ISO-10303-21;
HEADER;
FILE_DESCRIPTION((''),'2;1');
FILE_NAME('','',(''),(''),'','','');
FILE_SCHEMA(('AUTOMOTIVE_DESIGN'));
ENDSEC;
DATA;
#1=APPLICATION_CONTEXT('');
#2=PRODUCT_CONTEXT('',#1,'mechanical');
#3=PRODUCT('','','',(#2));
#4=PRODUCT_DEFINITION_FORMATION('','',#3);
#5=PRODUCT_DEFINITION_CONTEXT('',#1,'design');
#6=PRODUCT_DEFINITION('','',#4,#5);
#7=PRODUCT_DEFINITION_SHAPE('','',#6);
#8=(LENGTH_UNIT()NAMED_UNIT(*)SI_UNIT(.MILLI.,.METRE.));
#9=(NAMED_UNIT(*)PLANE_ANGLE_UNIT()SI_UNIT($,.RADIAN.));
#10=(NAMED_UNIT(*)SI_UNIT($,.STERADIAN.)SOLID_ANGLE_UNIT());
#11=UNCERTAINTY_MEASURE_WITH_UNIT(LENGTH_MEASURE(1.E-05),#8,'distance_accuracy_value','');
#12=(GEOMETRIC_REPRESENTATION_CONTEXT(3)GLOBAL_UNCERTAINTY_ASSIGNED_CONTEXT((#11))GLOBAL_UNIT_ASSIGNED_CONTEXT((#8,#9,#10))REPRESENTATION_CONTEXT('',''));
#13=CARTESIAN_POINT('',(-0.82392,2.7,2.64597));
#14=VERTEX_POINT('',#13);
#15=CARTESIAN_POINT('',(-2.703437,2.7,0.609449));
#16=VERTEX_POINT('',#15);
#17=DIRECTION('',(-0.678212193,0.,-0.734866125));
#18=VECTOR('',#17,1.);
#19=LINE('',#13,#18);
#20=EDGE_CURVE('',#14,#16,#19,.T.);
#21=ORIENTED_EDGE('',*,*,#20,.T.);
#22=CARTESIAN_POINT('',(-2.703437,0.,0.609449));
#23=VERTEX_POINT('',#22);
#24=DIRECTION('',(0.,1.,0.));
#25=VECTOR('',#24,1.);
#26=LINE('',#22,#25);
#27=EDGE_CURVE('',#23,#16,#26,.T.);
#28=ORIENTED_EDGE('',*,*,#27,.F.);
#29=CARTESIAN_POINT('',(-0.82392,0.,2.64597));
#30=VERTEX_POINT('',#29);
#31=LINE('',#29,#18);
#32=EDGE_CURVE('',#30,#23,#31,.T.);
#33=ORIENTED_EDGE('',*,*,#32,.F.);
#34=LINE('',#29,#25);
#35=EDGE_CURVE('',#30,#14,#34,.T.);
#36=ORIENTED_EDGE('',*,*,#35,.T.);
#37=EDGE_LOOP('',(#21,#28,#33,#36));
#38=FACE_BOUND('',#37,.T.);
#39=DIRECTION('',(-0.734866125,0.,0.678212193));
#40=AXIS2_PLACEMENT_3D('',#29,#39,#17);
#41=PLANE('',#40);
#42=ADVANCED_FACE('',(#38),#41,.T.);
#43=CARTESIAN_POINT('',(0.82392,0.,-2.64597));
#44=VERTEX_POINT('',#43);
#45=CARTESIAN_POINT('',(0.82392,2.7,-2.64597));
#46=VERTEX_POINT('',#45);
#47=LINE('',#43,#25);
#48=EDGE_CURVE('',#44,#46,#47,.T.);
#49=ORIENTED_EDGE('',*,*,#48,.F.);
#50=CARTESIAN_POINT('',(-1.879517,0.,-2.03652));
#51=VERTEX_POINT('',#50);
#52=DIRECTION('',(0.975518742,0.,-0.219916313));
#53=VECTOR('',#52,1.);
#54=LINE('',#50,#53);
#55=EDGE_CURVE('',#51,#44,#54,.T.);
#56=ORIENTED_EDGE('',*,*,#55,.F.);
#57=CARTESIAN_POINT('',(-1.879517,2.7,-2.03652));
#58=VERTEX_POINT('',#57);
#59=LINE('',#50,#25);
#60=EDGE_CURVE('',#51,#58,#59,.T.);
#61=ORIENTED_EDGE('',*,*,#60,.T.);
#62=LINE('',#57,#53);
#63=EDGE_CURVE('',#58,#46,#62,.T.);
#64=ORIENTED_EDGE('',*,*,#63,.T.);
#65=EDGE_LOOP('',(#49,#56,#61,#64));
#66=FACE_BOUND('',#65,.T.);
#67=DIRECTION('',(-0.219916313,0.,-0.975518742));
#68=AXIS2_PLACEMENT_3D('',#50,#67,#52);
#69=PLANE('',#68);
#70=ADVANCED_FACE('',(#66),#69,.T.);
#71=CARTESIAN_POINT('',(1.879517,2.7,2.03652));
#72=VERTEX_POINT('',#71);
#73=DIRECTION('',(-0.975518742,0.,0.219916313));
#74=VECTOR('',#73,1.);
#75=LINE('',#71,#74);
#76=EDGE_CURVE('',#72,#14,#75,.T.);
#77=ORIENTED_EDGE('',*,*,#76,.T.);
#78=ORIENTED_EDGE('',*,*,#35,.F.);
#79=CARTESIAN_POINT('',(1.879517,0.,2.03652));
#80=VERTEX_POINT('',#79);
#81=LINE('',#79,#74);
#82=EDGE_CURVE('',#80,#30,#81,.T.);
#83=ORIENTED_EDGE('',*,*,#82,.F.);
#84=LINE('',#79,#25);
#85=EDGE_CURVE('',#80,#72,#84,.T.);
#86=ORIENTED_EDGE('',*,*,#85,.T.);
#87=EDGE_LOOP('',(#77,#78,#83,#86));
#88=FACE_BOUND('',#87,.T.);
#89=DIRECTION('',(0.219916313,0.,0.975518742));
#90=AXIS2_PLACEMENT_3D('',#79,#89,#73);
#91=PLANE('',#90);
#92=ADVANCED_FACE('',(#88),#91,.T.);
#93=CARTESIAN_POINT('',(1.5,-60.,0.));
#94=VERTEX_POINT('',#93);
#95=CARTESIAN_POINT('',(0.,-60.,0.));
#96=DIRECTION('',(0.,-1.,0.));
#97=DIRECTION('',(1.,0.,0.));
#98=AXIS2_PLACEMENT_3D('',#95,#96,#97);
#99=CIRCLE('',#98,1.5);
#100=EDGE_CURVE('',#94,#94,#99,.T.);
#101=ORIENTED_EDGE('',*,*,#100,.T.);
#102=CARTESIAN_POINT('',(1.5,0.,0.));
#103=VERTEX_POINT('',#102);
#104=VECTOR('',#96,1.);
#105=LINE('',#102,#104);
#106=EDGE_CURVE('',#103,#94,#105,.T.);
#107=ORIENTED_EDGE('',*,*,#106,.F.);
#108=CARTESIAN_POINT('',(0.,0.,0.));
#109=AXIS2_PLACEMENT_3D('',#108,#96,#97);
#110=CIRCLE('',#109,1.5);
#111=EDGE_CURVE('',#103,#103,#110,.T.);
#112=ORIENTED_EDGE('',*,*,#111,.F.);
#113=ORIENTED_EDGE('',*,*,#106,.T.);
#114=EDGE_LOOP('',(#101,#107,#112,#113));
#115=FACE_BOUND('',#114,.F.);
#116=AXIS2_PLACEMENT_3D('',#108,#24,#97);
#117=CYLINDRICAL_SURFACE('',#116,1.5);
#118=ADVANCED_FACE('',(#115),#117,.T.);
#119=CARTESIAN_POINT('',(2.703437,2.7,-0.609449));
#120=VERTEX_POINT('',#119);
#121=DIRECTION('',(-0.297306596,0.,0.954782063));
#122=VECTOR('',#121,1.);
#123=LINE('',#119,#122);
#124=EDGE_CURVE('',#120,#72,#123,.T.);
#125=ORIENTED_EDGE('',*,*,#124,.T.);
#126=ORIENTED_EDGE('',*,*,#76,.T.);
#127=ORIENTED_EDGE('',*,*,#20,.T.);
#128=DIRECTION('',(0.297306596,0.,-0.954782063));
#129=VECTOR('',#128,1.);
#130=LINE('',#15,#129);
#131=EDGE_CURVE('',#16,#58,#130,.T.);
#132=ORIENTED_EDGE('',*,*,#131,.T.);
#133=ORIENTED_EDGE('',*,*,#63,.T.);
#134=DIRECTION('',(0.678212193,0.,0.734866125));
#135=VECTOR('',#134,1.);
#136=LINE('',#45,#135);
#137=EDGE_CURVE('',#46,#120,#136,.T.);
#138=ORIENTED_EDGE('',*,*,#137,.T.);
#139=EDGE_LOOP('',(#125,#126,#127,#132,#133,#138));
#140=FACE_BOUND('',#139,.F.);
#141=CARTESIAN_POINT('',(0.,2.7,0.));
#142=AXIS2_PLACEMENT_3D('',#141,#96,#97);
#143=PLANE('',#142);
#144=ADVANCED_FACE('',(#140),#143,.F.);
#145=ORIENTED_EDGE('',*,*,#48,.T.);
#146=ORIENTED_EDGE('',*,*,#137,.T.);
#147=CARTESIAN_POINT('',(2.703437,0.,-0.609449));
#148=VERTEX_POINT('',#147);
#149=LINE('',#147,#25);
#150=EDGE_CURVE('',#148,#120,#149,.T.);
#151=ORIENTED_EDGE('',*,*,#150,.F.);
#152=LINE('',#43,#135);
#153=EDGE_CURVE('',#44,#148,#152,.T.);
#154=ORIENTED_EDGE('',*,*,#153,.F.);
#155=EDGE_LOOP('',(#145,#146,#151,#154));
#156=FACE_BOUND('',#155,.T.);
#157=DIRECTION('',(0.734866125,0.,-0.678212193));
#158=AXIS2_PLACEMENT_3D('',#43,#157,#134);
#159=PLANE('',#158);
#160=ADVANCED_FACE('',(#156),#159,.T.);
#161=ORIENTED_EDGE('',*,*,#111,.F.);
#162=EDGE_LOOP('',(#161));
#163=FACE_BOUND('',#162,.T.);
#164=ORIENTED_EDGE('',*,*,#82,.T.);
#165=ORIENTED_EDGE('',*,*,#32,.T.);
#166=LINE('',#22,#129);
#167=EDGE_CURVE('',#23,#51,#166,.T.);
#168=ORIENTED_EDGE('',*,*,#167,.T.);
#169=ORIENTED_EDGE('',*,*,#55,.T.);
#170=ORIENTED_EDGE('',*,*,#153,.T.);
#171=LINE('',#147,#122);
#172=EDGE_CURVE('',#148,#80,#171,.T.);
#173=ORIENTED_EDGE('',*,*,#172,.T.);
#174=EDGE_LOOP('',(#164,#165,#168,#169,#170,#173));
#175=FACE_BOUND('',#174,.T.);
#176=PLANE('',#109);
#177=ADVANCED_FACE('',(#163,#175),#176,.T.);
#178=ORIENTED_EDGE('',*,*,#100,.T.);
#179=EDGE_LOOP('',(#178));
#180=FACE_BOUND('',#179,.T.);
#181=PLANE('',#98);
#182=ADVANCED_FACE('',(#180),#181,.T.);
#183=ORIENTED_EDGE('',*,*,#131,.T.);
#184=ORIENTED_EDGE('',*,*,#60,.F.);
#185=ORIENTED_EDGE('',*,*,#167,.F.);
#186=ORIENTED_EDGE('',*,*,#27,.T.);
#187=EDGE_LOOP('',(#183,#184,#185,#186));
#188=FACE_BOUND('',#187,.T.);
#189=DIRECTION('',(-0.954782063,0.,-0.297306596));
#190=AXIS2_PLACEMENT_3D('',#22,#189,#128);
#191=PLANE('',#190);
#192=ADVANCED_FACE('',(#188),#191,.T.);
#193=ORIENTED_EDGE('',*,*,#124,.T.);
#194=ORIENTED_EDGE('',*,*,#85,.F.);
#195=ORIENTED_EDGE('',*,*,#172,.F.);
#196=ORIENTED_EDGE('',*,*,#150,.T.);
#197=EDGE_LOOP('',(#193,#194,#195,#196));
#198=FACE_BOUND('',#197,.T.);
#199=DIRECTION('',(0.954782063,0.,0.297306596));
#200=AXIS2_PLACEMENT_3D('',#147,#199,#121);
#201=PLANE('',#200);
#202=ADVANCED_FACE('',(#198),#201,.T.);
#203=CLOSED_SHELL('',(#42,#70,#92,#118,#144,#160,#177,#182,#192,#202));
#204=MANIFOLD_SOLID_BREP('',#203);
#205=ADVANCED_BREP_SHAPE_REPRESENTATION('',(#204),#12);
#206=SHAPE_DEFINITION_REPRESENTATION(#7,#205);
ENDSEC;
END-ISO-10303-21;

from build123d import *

# Parameters (mm, degrees)
F0_R     = 1.5
F1_DEPTH = 60
F2_DEPTH = 2.7


with BuildPart() as f1:
    # F0 (on Front) → F1 (new body)
    with BuildSketch(Plane.XZ):
        Circle(F0_R)
    extrude(amount=F1_DEPTH)

    # F0 (on Front) → F2 (join)
    with BuildSketch(Plane.XZ):
        Polygon((-0.82392, 2.64597), (-2.703437, 0.609449), (-1.879517, -2.03652), (0.82392, -2.64597), (2.703437, -0.609449), (1.879517, 2.03652), align=None)
        Circle(F0_R, mode=Mode.SUBTRACT)
        Circle(F0_R)
    extrude(amount=-F2_DEPTH)


solid = f1.part
